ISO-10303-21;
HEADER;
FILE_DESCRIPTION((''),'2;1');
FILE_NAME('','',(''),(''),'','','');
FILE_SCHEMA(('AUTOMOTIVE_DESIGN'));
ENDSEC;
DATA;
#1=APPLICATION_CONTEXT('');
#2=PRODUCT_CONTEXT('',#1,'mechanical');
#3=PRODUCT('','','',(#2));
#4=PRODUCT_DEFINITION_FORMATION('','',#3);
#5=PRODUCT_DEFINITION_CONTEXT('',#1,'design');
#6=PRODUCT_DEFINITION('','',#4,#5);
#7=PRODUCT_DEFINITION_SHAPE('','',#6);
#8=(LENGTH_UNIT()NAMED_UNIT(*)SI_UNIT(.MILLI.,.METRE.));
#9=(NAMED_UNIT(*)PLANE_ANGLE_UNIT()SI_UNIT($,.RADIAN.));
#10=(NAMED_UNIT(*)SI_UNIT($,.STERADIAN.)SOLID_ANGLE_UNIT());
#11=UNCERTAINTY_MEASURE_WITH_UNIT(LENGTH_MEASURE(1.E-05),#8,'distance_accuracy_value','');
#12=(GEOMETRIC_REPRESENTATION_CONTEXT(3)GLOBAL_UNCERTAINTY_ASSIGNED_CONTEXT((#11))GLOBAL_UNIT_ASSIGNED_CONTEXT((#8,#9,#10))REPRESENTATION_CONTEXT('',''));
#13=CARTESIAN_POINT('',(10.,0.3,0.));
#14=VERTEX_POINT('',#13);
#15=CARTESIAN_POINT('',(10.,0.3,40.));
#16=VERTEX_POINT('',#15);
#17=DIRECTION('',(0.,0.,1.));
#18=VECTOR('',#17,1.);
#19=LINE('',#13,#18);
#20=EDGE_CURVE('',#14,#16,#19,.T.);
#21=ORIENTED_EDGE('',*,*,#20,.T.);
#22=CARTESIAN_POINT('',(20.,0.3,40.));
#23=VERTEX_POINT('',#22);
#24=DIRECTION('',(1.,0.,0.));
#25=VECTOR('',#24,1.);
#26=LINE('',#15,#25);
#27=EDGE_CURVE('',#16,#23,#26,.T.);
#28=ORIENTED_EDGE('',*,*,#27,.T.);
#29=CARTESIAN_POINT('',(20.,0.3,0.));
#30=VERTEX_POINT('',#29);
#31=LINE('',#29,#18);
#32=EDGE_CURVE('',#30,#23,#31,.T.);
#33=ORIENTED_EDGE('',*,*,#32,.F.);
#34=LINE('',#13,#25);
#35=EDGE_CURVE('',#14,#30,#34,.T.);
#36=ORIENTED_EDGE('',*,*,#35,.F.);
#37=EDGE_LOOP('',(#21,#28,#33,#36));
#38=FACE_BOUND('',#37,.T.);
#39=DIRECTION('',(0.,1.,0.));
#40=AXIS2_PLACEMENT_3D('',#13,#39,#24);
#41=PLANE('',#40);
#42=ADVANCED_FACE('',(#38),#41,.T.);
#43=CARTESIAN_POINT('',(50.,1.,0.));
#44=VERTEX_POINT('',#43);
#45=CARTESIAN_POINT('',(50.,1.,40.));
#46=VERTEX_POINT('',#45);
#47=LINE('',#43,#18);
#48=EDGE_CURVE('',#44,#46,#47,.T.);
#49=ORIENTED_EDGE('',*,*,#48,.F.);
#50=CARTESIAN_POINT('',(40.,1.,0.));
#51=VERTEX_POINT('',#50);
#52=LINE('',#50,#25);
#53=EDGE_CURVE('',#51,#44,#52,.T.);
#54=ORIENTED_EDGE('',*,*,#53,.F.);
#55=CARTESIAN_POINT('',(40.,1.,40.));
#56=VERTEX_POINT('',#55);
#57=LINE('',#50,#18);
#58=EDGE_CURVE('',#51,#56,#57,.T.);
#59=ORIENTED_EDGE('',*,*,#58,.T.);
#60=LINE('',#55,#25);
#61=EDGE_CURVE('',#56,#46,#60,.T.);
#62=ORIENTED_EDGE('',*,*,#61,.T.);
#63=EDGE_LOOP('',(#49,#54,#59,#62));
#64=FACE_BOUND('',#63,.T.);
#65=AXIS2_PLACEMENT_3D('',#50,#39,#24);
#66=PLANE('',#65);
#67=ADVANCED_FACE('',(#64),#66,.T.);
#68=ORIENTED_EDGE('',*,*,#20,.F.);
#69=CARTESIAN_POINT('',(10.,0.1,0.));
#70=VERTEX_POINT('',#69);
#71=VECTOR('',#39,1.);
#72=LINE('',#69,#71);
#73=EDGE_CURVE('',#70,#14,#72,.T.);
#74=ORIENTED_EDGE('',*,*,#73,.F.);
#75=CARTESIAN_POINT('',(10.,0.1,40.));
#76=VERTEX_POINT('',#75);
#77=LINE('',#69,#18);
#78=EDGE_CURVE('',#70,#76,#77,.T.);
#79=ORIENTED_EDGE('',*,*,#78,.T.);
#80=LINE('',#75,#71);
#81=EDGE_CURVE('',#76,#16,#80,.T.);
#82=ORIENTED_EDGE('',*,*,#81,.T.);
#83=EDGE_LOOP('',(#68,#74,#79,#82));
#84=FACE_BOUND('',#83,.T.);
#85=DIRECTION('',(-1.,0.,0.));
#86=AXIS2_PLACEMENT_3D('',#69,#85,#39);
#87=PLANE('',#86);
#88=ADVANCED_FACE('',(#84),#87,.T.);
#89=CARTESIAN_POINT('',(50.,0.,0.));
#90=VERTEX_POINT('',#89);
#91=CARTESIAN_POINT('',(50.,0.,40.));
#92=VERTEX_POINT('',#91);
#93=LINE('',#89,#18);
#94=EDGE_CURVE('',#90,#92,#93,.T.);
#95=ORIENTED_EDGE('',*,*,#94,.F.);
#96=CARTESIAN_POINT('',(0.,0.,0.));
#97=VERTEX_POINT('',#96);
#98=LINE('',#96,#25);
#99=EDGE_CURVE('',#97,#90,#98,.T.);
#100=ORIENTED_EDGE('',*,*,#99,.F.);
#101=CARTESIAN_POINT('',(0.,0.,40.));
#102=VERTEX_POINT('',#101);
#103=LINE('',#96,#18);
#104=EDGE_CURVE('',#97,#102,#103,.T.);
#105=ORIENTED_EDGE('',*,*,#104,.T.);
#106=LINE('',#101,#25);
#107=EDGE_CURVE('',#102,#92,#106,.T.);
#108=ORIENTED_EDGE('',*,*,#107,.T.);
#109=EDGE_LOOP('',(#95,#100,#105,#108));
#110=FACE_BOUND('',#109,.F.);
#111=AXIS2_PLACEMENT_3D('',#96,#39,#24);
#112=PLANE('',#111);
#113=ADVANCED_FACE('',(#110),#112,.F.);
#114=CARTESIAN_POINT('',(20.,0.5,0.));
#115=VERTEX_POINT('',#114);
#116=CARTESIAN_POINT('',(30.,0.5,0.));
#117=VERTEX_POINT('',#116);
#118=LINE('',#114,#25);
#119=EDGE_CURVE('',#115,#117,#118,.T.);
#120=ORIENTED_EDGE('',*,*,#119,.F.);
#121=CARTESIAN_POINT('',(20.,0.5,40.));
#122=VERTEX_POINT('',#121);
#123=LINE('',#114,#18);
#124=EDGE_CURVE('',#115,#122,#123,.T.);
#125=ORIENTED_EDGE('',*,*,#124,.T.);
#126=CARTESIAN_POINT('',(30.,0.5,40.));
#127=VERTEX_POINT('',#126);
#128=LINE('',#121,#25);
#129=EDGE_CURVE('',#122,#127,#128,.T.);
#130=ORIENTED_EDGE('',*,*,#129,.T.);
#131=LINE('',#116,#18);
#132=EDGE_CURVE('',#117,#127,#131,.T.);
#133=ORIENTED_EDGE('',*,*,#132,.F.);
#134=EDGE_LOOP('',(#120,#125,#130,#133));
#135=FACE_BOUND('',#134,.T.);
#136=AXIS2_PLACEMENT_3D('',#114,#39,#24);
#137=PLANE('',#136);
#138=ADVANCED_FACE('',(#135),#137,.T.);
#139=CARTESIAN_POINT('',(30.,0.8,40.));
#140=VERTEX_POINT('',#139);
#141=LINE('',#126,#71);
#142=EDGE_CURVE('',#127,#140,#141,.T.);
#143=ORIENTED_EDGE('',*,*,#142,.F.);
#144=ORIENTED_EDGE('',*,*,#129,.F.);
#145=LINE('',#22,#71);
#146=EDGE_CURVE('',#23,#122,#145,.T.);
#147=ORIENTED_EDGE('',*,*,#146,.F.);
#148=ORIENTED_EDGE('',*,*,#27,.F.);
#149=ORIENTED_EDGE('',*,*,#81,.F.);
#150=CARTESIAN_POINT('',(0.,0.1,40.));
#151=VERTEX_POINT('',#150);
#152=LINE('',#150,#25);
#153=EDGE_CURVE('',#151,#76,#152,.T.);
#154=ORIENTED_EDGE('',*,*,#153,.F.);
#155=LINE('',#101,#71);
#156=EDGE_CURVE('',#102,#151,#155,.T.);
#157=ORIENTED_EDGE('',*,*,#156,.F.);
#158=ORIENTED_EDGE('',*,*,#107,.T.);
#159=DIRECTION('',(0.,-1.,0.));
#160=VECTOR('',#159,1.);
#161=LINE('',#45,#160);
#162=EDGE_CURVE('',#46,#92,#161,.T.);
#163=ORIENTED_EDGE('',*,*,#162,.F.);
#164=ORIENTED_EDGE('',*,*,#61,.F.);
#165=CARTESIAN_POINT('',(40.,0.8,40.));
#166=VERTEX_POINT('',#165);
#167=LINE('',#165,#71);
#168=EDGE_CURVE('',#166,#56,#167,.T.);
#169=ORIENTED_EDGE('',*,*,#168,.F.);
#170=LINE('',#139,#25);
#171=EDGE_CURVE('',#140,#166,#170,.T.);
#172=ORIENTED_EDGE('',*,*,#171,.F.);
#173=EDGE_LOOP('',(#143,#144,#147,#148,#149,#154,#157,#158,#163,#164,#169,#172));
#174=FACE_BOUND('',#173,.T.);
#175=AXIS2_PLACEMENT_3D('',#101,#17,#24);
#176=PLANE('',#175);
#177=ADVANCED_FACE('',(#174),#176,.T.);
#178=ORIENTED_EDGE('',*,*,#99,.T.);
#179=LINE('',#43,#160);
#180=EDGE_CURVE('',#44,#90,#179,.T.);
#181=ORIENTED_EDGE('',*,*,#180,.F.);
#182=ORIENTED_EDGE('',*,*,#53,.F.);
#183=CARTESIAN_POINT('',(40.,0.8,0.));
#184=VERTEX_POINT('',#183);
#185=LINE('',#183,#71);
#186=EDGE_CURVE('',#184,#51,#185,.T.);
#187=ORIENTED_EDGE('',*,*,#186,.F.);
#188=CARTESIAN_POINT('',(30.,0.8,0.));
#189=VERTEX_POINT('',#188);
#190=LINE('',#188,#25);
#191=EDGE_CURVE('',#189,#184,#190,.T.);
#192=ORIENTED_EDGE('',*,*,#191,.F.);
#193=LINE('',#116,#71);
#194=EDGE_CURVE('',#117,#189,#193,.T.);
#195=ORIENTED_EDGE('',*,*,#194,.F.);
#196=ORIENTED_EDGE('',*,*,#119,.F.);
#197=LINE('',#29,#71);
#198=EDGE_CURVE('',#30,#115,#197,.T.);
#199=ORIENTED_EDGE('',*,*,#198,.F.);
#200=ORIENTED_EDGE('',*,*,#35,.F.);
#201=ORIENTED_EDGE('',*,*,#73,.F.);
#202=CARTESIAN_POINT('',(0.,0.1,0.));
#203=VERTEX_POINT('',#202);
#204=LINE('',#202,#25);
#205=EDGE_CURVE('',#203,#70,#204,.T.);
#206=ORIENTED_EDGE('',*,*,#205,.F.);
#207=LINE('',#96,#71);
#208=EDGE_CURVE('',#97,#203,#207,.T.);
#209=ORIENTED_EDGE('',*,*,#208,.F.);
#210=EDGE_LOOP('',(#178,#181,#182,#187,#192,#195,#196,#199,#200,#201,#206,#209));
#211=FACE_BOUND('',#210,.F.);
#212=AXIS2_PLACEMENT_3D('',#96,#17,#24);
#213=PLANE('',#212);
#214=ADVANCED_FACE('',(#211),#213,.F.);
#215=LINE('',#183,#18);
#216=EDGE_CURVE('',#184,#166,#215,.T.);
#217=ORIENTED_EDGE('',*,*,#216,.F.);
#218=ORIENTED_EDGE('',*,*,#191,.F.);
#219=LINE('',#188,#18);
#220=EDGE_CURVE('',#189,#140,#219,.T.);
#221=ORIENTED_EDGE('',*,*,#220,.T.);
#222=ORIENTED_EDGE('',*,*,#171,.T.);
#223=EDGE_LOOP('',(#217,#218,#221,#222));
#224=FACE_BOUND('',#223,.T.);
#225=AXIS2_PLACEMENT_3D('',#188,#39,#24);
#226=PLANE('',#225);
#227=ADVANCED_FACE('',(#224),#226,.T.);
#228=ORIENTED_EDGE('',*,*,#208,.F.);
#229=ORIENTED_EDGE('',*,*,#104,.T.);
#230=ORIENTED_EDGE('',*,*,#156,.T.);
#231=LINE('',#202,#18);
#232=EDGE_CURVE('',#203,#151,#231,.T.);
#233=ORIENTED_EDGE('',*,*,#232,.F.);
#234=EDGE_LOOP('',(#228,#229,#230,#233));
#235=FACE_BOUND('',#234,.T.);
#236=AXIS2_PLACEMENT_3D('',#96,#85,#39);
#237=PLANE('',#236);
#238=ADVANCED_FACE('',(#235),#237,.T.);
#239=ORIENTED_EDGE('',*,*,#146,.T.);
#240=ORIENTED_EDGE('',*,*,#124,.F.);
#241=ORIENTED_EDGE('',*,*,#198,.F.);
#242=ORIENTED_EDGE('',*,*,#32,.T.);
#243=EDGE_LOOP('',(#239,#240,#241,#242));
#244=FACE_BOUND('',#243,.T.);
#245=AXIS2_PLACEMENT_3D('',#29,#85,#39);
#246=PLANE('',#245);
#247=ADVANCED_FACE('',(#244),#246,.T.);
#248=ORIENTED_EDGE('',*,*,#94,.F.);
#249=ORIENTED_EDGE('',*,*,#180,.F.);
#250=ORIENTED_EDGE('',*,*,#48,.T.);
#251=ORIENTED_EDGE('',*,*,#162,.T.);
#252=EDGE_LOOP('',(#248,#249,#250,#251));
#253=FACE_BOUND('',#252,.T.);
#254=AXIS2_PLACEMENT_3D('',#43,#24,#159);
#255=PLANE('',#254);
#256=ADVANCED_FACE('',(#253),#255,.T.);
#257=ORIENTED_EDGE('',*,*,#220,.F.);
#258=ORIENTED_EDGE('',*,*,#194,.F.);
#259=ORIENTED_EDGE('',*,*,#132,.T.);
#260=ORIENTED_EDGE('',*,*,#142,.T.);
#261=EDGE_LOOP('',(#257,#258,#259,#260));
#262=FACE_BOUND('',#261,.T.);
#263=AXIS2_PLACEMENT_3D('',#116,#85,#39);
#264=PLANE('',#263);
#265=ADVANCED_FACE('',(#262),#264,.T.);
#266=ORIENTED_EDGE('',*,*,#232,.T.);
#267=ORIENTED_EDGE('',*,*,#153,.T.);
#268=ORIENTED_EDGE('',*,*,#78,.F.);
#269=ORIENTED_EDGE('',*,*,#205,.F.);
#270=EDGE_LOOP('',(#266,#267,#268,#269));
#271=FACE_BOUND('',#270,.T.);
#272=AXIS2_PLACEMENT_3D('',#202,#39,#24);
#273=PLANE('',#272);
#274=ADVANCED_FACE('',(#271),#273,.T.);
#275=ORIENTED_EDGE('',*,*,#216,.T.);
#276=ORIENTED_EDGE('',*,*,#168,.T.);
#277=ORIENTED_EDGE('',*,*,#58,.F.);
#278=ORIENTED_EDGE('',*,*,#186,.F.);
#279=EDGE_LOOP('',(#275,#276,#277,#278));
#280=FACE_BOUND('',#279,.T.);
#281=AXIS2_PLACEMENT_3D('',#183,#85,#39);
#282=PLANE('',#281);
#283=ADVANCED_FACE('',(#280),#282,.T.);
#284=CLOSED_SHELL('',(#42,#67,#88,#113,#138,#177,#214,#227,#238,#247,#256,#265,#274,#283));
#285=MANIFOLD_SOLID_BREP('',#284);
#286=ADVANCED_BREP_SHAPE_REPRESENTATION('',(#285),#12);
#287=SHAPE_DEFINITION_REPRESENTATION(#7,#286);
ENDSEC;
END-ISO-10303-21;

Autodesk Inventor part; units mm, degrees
ref_plane "YZ Plane" through (0, 0, 0) normal (1, 0, 0) x (0, 1, 0)
ref_plane "XZ Plane" through (0, 0, 0) normal (0, 1, 0) x (-1, 0, 0)
ref_plane "XY Plane" through (0, 0, 0) normal (0, 0, 1) x (1, 0, 0)
sketch "Sketch1" plane through (0, 0, 0) normal (0, 0, 1) x (1, 0, 0)
  line L0 (0, 0) -> (50, 0)
  line L1 (0, 0) -> (0, 0.1)
  line L2 (0, 0.1) -> (10, 0.1)
  line L3 (10, 0.1) -> (10, 0.3)
  line L4 (10, 0.3) -> (20, 0.3)
  line L5 (20, 0.3) -> (20, 0.5)
  line L6 (20, 0.5) -> (30, 0.5)
  line L7 (30, 0.5) -> (30, 0.8)
  line L8 (30, 0.8) -> (40, 0.8)
  line L9 (40, 0.8) -> (40, 1)
  line L10 (40, 1) -> (50, 1)
  line L11 (50, 1) -> (50, 0)
  dimension "d3" = 0.1
  dimension "d4" = 10
  dimension "d5" = 0.2
  dimension "d6" = 10
  dimension "d7" = 0.2
  dimension "d8" = 10
  dimension "d9" = 0.3
  dimension "d10" = 10
  dimension "d11" = 0.2
extrude "Extrusion1" add sketch "Sketch1" along normal blind 40
properties part number "trap voor licht"
